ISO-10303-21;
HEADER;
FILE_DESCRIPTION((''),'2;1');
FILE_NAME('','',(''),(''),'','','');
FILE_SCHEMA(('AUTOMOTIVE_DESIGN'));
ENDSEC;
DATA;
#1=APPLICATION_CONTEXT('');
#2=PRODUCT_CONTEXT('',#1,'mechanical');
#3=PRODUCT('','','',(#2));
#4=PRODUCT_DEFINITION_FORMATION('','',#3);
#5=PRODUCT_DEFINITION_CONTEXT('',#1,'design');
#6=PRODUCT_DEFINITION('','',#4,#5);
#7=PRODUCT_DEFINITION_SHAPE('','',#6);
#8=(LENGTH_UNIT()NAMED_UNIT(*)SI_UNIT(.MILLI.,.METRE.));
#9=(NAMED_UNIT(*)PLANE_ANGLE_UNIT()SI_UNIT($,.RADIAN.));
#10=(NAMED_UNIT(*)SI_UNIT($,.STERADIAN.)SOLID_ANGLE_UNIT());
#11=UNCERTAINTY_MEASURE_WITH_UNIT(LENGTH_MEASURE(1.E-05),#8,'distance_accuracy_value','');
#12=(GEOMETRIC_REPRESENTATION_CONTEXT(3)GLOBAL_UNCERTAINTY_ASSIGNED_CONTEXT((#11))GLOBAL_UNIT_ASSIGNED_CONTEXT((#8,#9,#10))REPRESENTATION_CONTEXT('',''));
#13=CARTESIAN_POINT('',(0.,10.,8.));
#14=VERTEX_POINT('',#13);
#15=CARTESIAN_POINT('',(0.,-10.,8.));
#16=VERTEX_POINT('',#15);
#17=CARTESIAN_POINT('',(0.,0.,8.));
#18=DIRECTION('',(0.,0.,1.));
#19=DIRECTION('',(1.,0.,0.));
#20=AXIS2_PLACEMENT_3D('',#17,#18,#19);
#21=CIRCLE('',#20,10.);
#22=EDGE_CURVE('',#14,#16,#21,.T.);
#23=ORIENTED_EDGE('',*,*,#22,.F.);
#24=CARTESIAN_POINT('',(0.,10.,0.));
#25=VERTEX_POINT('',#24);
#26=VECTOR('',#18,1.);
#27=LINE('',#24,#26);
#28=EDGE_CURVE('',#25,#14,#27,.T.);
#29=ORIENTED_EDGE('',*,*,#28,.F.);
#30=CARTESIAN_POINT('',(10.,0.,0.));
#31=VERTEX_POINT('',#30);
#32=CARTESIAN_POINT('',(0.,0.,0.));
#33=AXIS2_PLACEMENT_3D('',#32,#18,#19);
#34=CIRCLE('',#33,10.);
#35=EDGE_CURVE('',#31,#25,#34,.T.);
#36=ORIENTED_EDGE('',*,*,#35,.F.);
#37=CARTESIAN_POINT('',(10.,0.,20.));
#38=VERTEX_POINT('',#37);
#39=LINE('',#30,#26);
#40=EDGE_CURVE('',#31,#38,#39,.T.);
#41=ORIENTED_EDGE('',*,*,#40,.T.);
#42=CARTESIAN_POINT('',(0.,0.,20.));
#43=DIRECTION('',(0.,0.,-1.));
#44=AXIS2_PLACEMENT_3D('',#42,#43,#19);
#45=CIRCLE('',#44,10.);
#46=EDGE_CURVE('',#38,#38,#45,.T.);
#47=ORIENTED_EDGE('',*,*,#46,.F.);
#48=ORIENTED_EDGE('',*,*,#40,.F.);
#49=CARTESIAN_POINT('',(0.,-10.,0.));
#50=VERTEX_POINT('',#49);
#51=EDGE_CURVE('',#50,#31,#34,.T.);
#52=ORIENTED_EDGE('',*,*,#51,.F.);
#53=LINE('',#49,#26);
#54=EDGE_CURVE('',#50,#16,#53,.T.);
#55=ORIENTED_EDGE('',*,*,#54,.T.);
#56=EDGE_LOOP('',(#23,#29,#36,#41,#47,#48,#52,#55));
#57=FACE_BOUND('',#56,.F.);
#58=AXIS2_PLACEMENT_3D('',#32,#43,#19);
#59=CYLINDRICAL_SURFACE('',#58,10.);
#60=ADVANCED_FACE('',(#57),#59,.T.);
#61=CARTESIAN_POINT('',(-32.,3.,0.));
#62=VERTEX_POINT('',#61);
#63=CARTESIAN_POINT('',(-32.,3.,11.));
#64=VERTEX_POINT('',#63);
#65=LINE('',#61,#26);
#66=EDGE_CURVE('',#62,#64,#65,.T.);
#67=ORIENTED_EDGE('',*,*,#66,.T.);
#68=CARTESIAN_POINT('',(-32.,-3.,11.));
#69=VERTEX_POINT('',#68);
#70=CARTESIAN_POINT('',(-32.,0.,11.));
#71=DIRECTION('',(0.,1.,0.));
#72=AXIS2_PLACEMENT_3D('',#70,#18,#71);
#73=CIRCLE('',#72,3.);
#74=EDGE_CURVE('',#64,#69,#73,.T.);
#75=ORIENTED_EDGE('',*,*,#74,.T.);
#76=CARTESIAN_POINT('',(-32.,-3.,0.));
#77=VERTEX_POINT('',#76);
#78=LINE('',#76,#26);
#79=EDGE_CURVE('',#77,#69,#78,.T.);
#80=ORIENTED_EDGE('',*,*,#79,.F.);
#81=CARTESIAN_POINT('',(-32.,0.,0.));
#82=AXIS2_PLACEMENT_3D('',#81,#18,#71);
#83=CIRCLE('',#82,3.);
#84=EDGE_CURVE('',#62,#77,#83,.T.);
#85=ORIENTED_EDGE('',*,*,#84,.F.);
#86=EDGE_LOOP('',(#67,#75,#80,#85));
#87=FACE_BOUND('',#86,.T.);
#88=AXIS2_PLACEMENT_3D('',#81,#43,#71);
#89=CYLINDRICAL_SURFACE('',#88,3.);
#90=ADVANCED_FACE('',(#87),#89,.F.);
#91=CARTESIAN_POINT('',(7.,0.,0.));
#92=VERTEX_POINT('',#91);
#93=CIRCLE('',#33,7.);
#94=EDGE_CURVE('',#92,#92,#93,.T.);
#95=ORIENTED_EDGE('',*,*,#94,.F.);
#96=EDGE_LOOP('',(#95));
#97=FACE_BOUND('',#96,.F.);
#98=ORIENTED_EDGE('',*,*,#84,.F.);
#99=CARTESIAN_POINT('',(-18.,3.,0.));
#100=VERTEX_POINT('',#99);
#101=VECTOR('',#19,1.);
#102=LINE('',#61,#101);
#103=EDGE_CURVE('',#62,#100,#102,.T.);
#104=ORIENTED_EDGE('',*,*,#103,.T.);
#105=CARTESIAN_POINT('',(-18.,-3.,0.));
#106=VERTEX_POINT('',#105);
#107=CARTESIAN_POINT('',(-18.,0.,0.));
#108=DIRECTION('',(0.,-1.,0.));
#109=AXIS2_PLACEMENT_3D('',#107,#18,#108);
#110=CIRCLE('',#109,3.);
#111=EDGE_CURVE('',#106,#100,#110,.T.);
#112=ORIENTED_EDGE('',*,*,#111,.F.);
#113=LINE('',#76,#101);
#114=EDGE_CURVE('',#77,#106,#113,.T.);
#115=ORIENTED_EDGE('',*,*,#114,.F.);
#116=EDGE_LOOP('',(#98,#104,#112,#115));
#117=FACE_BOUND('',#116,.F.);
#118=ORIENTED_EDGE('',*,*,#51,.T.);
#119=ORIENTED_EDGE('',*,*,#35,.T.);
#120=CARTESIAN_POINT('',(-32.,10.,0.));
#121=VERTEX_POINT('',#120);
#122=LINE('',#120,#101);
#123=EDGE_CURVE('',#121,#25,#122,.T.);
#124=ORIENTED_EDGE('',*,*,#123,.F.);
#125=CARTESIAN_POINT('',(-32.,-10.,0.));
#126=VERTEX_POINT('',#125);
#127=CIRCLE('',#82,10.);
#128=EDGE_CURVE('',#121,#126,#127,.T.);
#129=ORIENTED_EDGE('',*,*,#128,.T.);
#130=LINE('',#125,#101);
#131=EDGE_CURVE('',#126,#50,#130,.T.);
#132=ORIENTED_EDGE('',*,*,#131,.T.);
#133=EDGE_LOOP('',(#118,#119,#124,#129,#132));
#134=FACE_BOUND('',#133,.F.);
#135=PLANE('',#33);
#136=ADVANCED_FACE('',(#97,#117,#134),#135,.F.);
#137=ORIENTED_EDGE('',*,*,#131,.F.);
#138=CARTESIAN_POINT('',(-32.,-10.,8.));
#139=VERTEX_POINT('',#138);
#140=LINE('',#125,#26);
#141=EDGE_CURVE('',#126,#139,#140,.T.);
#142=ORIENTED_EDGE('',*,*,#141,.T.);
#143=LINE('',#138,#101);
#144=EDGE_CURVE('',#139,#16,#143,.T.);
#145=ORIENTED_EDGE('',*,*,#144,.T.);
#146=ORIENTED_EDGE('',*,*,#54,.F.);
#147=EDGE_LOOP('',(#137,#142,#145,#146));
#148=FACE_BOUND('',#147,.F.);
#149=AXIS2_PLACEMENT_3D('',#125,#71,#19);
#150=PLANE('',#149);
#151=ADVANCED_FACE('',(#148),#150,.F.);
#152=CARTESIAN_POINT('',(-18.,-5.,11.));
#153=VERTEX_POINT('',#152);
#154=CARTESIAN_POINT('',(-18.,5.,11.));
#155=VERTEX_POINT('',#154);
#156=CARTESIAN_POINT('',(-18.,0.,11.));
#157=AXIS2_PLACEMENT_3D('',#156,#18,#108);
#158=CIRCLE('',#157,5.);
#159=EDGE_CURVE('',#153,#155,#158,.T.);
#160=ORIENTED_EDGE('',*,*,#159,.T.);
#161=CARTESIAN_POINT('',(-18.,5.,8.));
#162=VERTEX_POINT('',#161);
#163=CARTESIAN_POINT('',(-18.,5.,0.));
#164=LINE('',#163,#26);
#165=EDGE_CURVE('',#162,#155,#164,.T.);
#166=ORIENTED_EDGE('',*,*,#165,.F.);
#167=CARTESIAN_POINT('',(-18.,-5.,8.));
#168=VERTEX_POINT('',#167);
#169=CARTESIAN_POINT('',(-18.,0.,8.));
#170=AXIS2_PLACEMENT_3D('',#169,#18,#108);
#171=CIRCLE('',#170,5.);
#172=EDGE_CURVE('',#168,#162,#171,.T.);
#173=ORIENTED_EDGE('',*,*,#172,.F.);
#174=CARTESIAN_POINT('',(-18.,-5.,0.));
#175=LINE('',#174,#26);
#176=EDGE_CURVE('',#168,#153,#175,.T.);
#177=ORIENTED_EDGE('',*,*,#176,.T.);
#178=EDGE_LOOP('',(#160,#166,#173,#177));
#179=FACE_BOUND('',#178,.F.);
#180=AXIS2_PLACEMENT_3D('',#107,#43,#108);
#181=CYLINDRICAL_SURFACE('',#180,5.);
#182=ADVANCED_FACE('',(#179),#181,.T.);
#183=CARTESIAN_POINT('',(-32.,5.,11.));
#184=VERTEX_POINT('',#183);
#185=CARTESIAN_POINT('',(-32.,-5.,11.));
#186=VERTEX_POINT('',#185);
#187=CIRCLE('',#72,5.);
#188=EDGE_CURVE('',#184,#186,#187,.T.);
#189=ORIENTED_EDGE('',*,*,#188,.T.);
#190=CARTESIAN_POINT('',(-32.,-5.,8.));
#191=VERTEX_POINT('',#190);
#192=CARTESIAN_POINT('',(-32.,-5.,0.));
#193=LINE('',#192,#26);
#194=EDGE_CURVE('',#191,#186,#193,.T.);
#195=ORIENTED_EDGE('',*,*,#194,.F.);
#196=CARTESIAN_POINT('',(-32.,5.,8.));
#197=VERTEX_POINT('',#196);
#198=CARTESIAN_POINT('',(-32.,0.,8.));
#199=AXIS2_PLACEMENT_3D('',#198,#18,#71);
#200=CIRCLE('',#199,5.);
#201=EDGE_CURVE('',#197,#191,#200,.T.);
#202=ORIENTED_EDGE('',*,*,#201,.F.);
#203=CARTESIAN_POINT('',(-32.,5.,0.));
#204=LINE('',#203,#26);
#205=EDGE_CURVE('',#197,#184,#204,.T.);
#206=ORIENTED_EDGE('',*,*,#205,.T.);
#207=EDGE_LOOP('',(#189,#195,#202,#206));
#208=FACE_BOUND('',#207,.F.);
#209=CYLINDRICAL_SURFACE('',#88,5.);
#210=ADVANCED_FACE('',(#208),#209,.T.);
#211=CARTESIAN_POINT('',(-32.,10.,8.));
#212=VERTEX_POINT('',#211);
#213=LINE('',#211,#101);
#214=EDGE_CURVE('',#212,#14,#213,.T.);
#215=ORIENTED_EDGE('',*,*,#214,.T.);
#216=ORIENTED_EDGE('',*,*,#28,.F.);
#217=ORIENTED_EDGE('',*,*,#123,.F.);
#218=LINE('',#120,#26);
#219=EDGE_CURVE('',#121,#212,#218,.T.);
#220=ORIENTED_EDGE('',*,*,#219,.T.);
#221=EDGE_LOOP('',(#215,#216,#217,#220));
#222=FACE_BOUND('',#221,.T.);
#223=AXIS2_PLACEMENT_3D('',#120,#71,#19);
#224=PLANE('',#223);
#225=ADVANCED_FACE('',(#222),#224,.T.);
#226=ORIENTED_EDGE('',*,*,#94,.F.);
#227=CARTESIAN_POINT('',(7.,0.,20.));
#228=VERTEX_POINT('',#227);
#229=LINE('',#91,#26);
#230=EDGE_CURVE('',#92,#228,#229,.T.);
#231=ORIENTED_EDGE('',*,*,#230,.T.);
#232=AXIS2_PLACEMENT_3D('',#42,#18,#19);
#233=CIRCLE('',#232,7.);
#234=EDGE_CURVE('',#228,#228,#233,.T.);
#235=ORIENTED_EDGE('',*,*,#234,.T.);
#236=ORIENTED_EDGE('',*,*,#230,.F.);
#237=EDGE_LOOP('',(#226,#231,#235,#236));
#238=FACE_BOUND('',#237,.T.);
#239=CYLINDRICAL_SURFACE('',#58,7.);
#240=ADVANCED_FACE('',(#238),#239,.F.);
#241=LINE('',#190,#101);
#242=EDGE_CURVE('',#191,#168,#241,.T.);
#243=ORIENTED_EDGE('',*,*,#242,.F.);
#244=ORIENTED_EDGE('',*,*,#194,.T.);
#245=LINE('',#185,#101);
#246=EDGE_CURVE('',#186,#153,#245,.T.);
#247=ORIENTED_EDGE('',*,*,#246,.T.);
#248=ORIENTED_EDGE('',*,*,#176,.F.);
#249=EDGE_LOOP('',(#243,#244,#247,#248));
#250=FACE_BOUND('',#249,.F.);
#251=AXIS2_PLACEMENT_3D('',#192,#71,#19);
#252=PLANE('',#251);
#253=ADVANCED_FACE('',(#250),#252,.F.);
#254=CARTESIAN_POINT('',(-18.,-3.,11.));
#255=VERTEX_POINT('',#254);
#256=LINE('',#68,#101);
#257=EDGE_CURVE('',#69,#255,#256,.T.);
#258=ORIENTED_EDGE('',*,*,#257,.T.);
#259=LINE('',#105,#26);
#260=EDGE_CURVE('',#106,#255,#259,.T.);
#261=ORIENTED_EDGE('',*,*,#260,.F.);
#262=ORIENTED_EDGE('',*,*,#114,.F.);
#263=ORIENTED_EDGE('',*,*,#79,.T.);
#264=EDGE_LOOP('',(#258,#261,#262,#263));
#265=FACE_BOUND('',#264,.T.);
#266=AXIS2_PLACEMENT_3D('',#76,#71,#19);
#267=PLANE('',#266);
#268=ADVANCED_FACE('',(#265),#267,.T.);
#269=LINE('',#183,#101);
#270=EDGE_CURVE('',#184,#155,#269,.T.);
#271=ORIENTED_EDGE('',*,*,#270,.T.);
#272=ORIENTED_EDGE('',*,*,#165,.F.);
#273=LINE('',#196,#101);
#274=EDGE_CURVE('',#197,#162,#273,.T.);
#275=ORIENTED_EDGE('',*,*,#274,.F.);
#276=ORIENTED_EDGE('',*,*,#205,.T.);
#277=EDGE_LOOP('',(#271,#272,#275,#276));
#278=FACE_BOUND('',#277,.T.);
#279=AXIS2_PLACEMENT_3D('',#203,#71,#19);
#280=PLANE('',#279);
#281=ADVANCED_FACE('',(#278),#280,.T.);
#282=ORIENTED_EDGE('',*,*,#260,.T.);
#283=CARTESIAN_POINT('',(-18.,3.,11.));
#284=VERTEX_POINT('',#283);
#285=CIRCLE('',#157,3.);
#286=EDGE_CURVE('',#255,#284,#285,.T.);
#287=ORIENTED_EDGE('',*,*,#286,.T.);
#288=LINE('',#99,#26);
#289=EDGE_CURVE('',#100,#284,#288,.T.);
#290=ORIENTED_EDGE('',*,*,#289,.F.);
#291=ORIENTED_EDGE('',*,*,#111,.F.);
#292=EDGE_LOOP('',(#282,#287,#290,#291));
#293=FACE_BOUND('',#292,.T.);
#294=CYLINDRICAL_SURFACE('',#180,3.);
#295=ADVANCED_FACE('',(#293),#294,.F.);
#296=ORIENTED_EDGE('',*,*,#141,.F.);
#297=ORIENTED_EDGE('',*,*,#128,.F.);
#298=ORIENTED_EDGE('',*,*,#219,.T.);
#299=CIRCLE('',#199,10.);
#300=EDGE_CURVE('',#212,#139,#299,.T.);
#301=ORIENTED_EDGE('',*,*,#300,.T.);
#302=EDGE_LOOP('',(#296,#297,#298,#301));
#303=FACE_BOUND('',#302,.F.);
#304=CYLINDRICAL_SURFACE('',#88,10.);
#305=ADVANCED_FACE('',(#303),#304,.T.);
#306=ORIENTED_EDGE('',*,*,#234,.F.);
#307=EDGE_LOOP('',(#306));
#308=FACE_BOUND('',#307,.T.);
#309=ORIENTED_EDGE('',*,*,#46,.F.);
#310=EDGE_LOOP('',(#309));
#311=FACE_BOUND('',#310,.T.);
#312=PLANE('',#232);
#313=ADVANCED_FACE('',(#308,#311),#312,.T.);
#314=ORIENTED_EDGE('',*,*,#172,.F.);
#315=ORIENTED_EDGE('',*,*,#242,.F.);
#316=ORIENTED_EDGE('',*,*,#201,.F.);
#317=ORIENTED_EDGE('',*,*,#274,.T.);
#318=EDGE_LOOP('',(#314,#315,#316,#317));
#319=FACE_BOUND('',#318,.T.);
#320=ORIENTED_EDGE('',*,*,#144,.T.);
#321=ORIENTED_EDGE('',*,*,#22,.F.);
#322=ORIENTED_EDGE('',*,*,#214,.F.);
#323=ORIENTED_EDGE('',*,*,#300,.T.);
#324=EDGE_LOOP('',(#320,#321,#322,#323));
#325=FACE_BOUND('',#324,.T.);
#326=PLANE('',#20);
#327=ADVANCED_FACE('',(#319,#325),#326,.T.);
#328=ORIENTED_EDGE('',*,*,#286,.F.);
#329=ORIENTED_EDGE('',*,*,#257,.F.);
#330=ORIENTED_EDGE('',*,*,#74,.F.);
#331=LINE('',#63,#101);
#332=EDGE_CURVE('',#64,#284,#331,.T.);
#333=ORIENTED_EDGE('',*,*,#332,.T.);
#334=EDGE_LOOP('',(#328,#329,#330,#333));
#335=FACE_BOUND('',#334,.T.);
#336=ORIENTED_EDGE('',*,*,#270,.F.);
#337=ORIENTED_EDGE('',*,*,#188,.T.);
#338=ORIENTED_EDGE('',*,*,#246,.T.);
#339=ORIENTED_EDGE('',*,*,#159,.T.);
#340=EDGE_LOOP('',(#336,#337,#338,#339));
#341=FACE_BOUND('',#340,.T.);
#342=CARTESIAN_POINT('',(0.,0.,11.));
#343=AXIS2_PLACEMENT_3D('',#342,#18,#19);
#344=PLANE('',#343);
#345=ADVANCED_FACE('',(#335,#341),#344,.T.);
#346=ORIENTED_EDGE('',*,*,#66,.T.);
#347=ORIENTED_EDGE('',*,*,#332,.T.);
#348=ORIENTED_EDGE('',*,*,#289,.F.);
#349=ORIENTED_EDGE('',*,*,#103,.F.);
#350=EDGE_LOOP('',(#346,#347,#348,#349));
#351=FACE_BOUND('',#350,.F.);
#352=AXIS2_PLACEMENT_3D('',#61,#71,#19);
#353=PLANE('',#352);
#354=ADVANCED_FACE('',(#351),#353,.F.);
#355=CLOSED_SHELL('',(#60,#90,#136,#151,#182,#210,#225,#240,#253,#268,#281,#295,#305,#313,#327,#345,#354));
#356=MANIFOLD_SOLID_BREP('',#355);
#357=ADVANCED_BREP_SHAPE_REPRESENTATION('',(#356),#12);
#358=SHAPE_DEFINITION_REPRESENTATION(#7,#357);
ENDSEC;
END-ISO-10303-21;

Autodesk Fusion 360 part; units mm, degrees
sketch "草图1" plane through (0, 0, 0) normal (0, 0, 1) x (1, 0, 0)
  line L0 (-75, 0) -> (-70, 0) construction
  line L1 (-70, 0) -> (75, 0) construction
  line L2 (0, 50) -> (0, -52.1887) construction
  circle A0 centre (0, 0) radius 7
  circle A1 centre (0, 0) radius 10
  line L3 (-32, 5) -> (-18, 5)
  line L4 (-32, -5) -> (-18, -5)
  line L5 (-32, -3) -> (-18, -3)
  line L6 (-32, 3) -> (-18, 3)
  line L7 (-32, 10) -> (0, 10)
  line L8 (-32, -10) -> (0, -10)
  arc A2 (-32, 5) -> (-32, -5) centre (-32, 0) ccw
  arc A3 (-32, 3) -> (-32, -3) centre (-32, 0) ccw
  arc A4 (-18, -3) -> (-18, 3) centre (-18, 0) ccw
  arc A5 (-18, -5) -> (-18, 5) centre (-18, 0) ccw
  arc A6 (-32, 10) -> (-32, -10) centre (-32, 0) ccw
  dimension "d1" = 5
  dimension "d2" = 14
  dimension "d3" = 3
  dimension "d4" = 5
  dimension "d5" = 3
  dimension "d6" = 20
  dimension "d7" = 14
  dimension "d8" = 18
  dimension "d9" = 14
extrude "拉伸1" add sketch "草图1" along normal blind 8 contours A1 L7 L8 A6
extrude "拉伸2" add sketch "草图1" along normal blind 20 contours A1
extrude "拉伸3" add sketch "草图1" along normal blind 11 contours L3 L4 A2 A5
